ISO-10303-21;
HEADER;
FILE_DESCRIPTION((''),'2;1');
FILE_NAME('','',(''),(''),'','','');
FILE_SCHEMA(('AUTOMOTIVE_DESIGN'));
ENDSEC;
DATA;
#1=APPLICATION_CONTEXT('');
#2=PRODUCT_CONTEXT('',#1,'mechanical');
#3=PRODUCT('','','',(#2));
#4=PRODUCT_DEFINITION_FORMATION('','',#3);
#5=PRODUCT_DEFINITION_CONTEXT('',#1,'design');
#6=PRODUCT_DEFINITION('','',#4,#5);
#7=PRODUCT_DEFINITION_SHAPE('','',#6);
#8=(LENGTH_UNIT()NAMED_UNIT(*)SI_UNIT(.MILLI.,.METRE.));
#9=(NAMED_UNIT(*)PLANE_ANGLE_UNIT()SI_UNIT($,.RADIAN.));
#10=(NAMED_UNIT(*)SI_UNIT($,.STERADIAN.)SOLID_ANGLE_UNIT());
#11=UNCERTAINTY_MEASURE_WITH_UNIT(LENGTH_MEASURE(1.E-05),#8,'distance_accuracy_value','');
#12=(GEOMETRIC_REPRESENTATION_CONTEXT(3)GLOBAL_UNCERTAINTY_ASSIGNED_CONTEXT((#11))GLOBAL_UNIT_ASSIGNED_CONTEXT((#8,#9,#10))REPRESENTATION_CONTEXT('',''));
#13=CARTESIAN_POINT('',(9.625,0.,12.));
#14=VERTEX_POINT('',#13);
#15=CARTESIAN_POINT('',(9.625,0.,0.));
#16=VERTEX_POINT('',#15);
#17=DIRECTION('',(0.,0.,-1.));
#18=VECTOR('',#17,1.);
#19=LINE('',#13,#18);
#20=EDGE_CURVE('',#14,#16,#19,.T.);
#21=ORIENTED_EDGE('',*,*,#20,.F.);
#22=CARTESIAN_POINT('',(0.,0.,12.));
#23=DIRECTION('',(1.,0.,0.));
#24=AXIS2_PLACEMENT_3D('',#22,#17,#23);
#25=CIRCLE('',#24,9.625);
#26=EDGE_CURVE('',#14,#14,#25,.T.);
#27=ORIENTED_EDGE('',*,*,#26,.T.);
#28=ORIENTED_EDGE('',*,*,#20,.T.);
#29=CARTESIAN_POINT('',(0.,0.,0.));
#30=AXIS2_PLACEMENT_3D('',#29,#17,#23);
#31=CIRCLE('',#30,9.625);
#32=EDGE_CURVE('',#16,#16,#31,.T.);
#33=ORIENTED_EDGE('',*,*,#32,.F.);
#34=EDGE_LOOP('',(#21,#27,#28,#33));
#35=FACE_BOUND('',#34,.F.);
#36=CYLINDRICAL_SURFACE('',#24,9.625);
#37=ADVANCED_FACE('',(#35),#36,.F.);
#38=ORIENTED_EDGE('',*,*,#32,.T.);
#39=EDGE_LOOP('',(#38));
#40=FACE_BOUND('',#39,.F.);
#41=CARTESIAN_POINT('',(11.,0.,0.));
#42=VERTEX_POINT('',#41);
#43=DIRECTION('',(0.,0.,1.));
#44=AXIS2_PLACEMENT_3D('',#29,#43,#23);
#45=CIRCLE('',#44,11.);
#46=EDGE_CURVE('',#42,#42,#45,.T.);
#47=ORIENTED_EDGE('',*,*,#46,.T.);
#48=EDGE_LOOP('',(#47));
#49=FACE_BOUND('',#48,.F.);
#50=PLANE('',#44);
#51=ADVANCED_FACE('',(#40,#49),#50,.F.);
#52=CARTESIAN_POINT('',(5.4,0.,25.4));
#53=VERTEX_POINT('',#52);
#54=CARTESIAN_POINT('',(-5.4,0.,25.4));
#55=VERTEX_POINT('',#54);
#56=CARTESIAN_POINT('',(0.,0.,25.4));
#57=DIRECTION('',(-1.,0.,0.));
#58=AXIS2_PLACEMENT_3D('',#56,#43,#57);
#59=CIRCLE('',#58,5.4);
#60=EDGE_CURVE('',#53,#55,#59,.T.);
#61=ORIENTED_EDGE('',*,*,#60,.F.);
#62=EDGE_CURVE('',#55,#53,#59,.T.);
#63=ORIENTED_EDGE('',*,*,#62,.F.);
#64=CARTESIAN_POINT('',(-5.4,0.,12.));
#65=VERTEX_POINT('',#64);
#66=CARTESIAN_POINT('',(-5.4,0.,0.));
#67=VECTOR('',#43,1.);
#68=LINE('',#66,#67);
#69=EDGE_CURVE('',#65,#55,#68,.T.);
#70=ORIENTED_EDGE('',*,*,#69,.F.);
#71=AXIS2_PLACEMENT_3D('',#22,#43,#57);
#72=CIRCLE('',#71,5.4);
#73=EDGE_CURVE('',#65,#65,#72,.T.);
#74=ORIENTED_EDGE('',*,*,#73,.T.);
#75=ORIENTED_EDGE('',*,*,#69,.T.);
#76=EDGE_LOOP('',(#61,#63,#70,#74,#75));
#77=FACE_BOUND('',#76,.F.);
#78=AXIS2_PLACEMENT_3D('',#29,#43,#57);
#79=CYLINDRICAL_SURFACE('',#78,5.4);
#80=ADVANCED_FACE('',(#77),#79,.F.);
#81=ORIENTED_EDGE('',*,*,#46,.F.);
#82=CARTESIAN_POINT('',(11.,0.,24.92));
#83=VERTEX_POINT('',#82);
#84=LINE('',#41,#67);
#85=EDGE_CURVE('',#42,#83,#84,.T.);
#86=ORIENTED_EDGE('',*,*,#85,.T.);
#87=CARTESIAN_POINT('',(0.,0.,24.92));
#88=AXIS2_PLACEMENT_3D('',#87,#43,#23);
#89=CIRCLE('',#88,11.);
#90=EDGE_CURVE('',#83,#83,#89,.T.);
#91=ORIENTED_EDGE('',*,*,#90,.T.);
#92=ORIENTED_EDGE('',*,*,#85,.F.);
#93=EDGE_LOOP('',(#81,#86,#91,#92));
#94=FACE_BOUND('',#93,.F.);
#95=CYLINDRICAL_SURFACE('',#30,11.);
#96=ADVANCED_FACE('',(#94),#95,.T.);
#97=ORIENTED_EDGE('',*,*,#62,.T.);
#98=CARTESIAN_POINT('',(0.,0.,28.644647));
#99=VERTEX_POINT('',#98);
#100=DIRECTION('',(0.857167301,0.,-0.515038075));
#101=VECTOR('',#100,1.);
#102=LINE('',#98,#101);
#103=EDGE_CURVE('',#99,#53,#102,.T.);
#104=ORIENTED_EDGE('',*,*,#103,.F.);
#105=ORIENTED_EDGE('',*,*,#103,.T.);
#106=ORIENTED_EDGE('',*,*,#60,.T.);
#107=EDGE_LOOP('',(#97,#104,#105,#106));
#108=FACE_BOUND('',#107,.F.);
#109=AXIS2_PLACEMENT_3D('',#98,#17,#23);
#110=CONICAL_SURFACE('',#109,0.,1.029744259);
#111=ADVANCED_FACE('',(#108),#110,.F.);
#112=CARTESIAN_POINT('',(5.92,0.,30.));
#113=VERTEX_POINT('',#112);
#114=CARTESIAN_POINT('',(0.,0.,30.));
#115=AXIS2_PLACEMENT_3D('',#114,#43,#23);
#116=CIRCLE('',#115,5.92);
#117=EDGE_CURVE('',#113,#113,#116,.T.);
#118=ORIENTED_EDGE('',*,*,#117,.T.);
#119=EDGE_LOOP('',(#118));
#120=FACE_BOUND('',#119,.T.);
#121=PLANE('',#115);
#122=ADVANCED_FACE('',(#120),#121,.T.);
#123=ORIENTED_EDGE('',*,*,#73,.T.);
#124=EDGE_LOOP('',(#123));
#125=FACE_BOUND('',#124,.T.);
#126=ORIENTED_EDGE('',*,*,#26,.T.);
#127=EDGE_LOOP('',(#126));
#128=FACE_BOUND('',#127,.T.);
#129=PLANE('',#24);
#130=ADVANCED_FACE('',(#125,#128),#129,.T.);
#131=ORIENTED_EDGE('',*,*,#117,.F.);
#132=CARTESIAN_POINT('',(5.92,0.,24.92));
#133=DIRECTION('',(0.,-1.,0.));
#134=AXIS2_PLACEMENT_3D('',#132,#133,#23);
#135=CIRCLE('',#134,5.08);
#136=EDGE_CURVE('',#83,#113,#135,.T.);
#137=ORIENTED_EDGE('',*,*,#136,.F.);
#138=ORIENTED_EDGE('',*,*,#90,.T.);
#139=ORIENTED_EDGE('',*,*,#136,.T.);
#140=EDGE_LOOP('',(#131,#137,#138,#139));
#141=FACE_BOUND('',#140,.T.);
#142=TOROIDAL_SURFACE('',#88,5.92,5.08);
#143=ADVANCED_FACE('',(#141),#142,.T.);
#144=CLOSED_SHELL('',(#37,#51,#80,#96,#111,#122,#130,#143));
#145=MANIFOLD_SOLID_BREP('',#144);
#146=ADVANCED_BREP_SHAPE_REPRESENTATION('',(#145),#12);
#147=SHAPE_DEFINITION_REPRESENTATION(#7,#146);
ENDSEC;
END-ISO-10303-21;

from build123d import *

# Parameters (mm, degrees)
F0_R           = 11
F1_DEPTH       = 30
F2_D           = 10.8
F2_DEPTH       = 25.4
F2_CBORE_D     = 19.25
F2_CBORE_DEPTH = 12
F2_TIP         = 3.2446473427
F3_R           = 5.08


with BuildPart() as f1:
    # F0 (on Top) → F1 (new body)
    with BuildSketch(Plane.XY):
        Circle(F0_R)
    extrude(amount=F1_DEPTH)

    # F2
    with Locations(Plane(origin=(0, 0, 0), x_dir=(1, 0, 0), z_dir=(0, 0, -1))):
        with Locations((0, 0)):
            CounterBoreHole(F2_D / 2, F2_CBORE_D / 2, F2_CBORE_DEPTH, depth=F2_DEPTH)
            with Locations((0, 0, -(F2_DEPTH + F2_TIP / 2))):  # 118° drill point
                Cone(0, F2_D / 2, F2_TIP, mode=Mode.SUBTRACT)

    # F3
    f3_edges = [f1.edges().sort_by_distance(p)[0] for p in [
        (-11, 0, 30),
    ]]
    fillet(f3_edges, radius=F3_R)


solid = f1.part
